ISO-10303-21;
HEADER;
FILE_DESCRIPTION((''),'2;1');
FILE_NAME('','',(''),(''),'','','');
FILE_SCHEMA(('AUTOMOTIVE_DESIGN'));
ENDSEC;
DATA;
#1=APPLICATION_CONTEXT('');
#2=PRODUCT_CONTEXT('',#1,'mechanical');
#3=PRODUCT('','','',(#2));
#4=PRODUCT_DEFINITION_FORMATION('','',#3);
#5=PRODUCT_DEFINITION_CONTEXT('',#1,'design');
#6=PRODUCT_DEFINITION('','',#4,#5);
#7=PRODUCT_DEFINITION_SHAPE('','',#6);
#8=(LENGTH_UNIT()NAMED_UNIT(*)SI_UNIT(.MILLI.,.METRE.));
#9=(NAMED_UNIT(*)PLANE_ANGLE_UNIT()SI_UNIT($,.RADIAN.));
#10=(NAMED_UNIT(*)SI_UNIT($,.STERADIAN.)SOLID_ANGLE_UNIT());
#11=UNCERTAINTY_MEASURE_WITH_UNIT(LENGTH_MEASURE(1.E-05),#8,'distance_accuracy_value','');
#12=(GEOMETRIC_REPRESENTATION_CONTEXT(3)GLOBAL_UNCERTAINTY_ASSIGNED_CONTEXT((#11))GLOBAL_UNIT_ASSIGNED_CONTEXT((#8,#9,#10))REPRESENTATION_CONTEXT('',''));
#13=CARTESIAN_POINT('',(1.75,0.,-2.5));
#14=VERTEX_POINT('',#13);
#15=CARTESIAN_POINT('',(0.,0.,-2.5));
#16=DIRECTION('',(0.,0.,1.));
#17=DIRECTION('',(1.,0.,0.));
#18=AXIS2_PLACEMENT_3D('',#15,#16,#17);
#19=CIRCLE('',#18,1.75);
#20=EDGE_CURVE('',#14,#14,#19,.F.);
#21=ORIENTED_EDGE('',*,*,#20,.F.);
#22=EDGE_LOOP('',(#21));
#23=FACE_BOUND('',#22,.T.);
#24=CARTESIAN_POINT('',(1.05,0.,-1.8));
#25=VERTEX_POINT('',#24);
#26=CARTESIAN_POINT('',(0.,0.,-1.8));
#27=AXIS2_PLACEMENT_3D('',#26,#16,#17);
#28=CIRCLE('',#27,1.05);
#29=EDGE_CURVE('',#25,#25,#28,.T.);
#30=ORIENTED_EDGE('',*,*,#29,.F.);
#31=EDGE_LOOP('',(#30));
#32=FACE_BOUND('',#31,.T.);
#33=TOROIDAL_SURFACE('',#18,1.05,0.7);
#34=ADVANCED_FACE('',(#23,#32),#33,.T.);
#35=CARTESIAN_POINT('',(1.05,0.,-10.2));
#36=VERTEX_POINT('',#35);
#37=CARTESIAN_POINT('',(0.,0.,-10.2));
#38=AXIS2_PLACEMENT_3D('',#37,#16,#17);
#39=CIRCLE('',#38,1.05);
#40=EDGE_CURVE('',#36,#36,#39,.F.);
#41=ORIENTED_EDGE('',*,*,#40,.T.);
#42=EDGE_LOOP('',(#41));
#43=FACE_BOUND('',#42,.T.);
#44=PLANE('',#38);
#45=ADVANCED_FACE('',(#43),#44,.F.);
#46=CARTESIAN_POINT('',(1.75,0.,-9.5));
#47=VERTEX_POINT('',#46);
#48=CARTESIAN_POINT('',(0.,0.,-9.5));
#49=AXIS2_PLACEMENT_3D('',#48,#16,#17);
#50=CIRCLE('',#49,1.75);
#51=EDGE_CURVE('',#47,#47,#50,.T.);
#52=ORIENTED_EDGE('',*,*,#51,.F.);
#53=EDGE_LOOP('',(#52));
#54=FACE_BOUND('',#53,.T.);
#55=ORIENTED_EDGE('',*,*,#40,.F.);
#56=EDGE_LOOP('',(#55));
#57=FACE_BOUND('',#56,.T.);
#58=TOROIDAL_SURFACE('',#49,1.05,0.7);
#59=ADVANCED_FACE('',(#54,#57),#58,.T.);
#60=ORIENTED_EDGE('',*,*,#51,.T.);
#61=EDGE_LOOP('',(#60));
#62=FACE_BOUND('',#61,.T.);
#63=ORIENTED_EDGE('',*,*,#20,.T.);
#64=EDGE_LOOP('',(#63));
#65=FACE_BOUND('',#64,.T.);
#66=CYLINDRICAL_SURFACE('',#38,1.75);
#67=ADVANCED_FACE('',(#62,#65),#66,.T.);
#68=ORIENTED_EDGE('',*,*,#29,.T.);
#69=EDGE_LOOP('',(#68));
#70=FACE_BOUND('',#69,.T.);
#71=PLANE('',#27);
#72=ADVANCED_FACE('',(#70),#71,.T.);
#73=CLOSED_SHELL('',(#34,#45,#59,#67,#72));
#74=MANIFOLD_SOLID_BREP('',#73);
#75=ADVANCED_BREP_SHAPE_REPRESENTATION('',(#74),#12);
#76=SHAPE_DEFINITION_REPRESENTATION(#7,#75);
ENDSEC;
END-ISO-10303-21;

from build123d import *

# Parameters (mm, degrees)
SKETCH1_R           = 2.5
BOSS_EXTRUDE1_DEPTH = 12
FILLET1_R           = 1
SCALE1_SCALE        = 0.7


with BuildPart() as part:
    # Sketch1 → Boss-Extrude1 (new body)
    with BuildSketch(Plane(origin=(0, 0, 0), x_dir=(0, 1, 0), z_dir=(0, 0, 1))):
        with Locations(Location((0, 0, 0), (0, 0, 270))):
            Circle(SKETCH1_R)
    extrude(amount=-BOSS_EXTRUDE1_DEPTH)

    # Fillet1
    fillet1_edges = [part.edges().sort_by_distance(p)[0] for p in [
        (-2.5, 0, 0),
        (-2.5, 0, -12),
    ]]
    fillet(fillet1_edges, radius=FILLET1_R)


with BuildPart() as part_1:
    # Scale1: scaled about (0, 0, -6)
    add(part.part.scale(SCALE1_SCALE).moved(Location((0, 0, -1.8))))


solid = part_1.part
